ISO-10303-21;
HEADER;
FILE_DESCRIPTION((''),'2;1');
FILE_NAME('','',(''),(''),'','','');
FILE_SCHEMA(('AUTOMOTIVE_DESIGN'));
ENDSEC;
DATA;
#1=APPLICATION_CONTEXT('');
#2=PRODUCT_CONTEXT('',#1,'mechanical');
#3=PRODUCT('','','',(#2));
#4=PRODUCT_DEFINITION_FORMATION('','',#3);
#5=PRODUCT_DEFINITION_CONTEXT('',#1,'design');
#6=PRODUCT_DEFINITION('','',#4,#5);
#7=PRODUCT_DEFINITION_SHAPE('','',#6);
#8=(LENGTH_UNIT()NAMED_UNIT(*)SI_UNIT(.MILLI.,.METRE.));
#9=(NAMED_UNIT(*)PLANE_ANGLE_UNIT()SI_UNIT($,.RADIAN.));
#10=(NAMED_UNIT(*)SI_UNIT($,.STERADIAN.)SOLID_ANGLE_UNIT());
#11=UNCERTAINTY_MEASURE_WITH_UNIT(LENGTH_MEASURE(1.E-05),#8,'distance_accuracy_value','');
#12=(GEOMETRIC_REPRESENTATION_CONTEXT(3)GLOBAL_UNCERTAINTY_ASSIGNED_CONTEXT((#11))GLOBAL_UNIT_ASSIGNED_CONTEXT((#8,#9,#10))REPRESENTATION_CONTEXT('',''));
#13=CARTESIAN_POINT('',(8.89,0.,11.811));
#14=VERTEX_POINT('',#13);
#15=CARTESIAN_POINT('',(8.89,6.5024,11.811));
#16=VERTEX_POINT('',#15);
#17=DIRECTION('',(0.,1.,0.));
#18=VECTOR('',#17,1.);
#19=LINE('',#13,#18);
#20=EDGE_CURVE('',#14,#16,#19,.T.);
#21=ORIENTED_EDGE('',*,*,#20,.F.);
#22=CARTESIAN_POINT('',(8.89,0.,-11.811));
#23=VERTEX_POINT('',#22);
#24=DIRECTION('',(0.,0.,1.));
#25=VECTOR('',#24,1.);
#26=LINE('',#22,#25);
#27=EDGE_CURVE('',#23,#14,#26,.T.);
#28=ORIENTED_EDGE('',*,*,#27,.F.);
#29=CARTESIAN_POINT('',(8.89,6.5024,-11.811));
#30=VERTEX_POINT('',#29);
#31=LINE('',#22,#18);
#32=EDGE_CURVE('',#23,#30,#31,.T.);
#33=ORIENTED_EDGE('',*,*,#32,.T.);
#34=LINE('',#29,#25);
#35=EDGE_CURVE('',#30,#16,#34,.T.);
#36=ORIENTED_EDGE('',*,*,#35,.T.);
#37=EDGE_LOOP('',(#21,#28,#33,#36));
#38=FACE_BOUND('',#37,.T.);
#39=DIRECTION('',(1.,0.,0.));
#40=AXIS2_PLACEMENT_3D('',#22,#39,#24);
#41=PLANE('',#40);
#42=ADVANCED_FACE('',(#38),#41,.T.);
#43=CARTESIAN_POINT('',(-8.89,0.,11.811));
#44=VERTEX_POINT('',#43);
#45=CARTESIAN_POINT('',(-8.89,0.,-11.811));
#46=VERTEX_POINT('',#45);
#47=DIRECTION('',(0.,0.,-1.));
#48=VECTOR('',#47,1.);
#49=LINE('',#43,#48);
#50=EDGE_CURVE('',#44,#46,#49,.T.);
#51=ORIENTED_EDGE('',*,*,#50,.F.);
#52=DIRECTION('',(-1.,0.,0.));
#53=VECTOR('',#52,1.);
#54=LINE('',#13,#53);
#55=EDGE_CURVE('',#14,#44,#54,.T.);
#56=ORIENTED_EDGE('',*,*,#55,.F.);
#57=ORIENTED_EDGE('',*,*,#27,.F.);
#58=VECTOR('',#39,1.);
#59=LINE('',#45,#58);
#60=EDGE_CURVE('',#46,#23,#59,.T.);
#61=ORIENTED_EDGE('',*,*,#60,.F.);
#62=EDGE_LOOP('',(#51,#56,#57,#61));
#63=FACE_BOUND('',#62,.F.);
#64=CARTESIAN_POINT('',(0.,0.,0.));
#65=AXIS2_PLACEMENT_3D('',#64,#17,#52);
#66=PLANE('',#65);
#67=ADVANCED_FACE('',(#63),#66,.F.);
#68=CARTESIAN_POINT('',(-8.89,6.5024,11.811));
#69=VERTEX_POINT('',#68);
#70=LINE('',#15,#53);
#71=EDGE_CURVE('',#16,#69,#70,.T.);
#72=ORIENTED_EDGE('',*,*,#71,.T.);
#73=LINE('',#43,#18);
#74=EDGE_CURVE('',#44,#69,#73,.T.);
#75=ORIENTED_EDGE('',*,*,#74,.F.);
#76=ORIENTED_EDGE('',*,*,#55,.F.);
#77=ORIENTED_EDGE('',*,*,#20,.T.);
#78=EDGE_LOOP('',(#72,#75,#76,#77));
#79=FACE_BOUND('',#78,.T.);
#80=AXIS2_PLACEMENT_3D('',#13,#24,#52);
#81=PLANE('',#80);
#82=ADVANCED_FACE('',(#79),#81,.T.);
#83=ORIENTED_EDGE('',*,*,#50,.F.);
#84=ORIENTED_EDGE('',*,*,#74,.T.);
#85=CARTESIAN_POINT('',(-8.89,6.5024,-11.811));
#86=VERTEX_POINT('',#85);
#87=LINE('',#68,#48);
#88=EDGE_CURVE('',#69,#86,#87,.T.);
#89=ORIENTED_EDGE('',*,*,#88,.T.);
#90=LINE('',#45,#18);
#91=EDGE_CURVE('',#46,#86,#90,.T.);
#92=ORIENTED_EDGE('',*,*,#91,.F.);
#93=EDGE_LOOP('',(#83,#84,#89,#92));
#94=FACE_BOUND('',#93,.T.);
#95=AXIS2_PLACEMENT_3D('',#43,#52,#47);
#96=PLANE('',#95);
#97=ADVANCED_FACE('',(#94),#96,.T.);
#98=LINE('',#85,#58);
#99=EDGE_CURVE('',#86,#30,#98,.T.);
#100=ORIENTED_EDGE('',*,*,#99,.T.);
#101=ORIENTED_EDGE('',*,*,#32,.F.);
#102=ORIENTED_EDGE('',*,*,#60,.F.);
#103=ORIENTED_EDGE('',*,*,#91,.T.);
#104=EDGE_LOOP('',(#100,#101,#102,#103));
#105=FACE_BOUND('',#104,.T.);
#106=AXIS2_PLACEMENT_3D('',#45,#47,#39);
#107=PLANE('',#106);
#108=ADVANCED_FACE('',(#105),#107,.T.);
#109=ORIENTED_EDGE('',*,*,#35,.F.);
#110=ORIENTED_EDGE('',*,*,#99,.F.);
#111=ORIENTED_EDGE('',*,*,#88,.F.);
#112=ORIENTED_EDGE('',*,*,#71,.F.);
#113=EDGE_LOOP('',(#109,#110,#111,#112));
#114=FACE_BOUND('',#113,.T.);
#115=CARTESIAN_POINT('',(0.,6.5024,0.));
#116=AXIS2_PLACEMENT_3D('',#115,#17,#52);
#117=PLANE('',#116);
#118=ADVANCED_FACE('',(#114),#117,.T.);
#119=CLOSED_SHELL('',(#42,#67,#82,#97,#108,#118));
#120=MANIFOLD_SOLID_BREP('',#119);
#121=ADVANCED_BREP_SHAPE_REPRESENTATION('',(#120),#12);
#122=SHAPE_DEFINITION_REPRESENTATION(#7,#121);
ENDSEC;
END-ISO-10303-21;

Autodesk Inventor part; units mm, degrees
ref_plane "YZ Plane" through (0, 0, 0) normal (1, 0, 0) x (0, 1, 0)
ref_plane "XZ Plane" through (0, 0, 0) normal (0, 1, 0) x (-1, 0, 0)
ref_plane "XY Plane" through (0, 0, 0) normal (0, 0, 1) x (1, 0, 0)
sketch "Sketch1" plane through (0, 0, 0) normal (0, 1, 0) x (-1, 0, 0)
  line L0 (-8.89, 11.811) -> (8.89, 11.811)
  line L1 (8.89, 11.811) -> (8.89, -11.811)
  line L2 (8.89, -11.811) -> (-8.89, -11.811)
  line L3 (-8.89, -11.811) -> (-8.89, 11.811)
  line L4 (-8.89, 11.811) -> (8.89, -11.811) construction
  line L5 (8.89, 11.811) -> (-8.89, -11.811) construction
  point P0 (0, 0)
  dimension "d0" = 17.78
  dimension "d1" = 23.622
extrude "Extrusion1" add sketch "Sketch1" along normal blind 6.5024
properties part number "batt"
